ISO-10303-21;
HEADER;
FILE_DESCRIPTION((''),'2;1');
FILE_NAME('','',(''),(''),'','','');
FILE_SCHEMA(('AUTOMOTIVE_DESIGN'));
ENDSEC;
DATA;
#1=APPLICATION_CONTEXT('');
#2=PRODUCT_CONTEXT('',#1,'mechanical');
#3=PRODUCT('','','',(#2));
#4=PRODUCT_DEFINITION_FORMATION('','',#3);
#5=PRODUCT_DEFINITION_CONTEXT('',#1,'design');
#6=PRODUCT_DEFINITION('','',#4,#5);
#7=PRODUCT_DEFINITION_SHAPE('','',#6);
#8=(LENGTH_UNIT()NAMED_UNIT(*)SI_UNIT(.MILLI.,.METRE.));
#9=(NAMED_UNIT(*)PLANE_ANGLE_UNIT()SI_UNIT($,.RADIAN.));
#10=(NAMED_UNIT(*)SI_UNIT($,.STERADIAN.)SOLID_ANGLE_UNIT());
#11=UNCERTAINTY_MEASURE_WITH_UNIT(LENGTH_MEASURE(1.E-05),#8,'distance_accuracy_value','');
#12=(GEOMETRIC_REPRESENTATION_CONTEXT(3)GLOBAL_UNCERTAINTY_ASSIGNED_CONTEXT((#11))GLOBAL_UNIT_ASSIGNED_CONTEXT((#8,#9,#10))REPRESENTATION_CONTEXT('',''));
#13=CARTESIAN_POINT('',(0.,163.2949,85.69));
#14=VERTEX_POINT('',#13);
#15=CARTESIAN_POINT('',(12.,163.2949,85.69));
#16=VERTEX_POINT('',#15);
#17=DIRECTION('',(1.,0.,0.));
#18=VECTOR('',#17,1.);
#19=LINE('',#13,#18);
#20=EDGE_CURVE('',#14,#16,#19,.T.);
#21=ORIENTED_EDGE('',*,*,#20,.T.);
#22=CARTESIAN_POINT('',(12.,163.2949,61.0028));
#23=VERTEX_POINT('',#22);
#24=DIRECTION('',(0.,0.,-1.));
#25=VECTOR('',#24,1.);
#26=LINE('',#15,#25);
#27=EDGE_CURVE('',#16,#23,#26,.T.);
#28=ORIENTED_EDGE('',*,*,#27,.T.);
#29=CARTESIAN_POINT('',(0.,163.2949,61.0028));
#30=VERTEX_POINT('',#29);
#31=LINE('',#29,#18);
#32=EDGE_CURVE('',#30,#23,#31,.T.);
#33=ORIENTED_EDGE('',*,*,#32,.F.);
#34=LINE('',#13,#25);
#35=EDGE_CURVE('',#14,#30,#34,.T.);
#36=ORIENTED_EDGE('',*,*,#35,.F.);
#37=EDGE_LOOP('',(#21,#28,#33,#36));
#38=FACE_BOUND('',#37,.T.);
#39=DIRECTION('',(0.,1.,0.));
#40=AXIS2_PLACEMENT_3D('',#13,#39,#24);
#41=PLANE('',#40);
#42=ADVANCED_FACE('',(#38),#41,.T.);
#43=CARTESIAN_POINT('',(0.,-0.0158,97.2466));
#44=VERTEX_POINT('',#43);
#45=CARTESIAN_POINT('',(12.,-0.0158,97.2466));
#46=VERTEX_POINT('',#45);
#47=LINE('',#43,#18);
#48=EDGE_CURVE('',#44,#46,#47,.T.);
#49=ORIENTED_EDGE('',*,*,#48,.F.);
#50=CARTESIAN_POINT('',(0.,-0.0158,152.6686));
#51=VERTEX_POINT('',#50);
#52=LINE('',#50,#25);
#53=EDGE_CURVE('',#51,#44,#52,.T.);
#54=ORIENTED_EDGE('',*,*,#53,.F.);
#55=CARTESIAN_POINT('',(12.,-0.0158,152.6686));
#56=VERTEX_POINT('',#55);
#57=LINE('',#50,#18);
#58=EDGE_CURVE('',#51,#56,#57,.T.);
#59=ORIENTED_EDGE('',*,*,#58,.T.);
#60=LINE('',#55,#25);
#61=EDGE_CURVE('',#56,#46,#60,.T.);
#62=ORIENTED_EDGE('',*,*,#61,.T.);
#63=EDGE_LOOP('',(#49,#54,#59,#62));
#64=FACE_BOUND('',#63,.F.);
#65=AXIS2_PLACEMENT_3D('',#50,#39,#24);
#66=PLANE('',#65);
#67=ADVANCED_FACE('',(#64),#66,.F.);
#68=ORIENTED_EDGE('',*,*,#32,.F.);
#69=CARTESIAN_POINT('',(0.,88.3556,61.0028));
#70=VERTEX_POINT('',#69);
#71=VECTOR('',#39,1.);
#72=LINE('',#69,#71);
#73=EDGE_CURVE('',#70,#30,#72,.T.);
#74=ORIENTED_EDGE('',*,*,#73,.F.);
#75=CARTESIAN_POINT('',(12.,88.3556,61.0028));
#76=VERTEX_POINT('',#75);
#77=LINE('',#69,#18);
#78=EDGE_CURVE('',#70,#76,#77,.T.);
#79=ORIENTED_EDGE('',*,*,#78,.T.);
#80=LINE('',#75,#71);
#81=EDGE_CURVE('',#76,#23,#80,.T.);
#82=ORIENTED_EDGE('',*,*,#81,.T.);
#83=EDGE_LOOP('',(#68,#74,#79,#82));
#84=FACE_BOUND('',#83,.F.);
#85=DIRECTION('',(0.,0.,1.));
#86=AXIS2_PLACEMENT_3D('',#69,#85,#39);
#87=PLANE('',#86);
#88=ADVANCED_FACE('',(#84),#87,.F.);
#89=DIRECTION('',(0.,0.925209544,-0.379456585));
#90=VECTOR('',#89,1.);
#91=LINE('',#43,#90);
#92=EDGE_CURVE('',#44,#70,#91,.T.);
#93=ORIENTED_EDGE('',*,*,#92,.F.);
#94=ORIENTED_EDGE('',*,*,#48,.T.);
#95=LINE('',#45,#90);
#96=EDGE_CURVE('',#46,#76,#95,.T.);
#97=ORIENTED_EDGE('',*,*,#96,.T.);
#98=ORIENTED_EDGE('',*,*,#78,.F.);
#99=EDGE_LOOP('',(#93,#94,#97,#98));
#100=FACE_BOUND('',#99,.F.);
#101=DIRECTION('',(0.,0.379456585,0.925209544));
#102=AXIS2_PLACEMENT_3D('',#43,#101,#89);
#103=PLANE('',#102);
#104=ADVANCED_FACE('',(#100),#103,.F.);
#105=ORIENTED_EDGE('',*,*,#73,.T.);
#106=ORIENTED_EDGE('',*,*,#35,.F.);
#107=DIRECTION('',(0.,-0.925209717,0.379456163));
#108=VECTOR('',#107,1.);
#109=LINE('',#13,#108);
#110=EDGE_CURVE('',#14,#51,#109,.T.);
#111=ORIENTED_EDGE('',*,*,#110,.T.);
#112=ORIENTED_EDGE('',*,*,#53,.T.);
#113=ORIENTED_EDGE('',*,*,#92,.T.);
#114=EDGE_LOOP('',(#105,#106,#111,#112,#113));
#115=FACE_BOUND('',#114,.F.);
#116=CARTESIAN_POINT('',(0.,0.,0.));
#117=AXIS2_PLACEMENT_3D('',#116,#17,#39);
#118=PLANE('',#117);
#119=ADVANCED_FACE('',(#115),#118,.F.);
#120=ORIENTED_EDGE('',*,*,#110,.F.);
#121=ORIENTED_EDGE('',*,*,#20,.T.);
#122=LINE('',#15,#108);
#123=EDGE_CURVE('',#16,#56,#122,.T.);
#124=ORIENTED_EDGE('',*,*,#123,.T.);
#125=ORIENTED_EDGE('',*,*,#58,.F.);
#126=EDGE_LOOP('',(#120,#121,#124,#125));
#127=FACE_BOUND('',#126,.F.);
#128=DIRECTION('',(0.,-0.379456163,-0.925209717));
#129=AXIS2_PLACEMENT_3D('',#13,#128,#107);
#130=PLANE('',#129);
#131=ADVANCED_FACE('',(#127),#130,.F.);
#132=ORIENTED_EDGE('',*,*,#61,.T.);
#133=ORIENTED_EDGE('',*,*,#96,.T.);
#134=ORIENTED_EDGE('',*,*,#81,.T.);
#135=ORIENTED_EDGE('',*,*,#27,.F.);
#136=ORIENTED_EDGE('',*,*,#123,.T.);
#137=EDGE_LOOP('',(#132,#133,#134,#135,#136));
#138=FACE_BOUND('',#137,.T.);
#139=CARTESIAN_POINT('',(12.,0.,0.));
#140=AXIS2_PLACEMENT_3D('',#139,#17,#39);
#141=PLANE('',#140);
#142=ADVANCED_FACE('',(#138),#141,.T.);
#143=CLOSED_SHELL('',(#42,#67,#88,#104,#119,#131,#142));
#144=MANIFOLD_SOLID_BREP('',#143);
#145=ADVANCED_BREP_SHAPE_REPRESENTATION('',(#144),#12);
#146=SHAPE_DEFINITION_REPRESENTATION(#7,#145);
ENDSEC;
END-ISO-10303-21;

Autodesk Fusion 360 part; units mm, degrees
sketch "Name Sign Support" plane through (0, 0, 0) normal (1, 0, 0) x (0, 1, 0) in component "Name Sign Support (1)"
  line L0 (-0.0158, 97.2466) -> (88.3556, 61.0028)
  line L1 (163.2949, 85.69) -> (-0.0158, 152.6686)
  line L2 (-0.0158, 152.6686) -> (-0.0158, 97.2466)
  line L3 (163.2949, 85.69) -> (163.2949, 61.0028)
  line L4 (88.3556, 61.0028) -> (163.2949, 61.0028)
  dimension "d18" = 67.7
  dimension "d9" = 55.422
  dimension "d2" = 176.512
  dimension "d3" = 95.515
extrude "Extrude2" add sketch "Name Sign Support" along normal blind 12 in component "Name Sign Support (1)"
component "Name Sign Support Left" placed x (1, 0, 0) y (0, 1, 0) z (0, 0, 1) at (0, 0, 0)
component "Name Sign Support" placed x (1, 0, 0) y (0, 1, 0) z (0, 0, 1) at (0, 0, 0) in component "Name Sign Support Left"
component "Name Sign Support (1)" placed x (1, 0, 0) y (0, 1, 0) z (0, 0, 1) at (0, 0, 0) in component "Name Sign Support"
equation "d19 = pineThickness"
equation "pineThickness = 12 mm" comment "Thickness of the pine planks"
